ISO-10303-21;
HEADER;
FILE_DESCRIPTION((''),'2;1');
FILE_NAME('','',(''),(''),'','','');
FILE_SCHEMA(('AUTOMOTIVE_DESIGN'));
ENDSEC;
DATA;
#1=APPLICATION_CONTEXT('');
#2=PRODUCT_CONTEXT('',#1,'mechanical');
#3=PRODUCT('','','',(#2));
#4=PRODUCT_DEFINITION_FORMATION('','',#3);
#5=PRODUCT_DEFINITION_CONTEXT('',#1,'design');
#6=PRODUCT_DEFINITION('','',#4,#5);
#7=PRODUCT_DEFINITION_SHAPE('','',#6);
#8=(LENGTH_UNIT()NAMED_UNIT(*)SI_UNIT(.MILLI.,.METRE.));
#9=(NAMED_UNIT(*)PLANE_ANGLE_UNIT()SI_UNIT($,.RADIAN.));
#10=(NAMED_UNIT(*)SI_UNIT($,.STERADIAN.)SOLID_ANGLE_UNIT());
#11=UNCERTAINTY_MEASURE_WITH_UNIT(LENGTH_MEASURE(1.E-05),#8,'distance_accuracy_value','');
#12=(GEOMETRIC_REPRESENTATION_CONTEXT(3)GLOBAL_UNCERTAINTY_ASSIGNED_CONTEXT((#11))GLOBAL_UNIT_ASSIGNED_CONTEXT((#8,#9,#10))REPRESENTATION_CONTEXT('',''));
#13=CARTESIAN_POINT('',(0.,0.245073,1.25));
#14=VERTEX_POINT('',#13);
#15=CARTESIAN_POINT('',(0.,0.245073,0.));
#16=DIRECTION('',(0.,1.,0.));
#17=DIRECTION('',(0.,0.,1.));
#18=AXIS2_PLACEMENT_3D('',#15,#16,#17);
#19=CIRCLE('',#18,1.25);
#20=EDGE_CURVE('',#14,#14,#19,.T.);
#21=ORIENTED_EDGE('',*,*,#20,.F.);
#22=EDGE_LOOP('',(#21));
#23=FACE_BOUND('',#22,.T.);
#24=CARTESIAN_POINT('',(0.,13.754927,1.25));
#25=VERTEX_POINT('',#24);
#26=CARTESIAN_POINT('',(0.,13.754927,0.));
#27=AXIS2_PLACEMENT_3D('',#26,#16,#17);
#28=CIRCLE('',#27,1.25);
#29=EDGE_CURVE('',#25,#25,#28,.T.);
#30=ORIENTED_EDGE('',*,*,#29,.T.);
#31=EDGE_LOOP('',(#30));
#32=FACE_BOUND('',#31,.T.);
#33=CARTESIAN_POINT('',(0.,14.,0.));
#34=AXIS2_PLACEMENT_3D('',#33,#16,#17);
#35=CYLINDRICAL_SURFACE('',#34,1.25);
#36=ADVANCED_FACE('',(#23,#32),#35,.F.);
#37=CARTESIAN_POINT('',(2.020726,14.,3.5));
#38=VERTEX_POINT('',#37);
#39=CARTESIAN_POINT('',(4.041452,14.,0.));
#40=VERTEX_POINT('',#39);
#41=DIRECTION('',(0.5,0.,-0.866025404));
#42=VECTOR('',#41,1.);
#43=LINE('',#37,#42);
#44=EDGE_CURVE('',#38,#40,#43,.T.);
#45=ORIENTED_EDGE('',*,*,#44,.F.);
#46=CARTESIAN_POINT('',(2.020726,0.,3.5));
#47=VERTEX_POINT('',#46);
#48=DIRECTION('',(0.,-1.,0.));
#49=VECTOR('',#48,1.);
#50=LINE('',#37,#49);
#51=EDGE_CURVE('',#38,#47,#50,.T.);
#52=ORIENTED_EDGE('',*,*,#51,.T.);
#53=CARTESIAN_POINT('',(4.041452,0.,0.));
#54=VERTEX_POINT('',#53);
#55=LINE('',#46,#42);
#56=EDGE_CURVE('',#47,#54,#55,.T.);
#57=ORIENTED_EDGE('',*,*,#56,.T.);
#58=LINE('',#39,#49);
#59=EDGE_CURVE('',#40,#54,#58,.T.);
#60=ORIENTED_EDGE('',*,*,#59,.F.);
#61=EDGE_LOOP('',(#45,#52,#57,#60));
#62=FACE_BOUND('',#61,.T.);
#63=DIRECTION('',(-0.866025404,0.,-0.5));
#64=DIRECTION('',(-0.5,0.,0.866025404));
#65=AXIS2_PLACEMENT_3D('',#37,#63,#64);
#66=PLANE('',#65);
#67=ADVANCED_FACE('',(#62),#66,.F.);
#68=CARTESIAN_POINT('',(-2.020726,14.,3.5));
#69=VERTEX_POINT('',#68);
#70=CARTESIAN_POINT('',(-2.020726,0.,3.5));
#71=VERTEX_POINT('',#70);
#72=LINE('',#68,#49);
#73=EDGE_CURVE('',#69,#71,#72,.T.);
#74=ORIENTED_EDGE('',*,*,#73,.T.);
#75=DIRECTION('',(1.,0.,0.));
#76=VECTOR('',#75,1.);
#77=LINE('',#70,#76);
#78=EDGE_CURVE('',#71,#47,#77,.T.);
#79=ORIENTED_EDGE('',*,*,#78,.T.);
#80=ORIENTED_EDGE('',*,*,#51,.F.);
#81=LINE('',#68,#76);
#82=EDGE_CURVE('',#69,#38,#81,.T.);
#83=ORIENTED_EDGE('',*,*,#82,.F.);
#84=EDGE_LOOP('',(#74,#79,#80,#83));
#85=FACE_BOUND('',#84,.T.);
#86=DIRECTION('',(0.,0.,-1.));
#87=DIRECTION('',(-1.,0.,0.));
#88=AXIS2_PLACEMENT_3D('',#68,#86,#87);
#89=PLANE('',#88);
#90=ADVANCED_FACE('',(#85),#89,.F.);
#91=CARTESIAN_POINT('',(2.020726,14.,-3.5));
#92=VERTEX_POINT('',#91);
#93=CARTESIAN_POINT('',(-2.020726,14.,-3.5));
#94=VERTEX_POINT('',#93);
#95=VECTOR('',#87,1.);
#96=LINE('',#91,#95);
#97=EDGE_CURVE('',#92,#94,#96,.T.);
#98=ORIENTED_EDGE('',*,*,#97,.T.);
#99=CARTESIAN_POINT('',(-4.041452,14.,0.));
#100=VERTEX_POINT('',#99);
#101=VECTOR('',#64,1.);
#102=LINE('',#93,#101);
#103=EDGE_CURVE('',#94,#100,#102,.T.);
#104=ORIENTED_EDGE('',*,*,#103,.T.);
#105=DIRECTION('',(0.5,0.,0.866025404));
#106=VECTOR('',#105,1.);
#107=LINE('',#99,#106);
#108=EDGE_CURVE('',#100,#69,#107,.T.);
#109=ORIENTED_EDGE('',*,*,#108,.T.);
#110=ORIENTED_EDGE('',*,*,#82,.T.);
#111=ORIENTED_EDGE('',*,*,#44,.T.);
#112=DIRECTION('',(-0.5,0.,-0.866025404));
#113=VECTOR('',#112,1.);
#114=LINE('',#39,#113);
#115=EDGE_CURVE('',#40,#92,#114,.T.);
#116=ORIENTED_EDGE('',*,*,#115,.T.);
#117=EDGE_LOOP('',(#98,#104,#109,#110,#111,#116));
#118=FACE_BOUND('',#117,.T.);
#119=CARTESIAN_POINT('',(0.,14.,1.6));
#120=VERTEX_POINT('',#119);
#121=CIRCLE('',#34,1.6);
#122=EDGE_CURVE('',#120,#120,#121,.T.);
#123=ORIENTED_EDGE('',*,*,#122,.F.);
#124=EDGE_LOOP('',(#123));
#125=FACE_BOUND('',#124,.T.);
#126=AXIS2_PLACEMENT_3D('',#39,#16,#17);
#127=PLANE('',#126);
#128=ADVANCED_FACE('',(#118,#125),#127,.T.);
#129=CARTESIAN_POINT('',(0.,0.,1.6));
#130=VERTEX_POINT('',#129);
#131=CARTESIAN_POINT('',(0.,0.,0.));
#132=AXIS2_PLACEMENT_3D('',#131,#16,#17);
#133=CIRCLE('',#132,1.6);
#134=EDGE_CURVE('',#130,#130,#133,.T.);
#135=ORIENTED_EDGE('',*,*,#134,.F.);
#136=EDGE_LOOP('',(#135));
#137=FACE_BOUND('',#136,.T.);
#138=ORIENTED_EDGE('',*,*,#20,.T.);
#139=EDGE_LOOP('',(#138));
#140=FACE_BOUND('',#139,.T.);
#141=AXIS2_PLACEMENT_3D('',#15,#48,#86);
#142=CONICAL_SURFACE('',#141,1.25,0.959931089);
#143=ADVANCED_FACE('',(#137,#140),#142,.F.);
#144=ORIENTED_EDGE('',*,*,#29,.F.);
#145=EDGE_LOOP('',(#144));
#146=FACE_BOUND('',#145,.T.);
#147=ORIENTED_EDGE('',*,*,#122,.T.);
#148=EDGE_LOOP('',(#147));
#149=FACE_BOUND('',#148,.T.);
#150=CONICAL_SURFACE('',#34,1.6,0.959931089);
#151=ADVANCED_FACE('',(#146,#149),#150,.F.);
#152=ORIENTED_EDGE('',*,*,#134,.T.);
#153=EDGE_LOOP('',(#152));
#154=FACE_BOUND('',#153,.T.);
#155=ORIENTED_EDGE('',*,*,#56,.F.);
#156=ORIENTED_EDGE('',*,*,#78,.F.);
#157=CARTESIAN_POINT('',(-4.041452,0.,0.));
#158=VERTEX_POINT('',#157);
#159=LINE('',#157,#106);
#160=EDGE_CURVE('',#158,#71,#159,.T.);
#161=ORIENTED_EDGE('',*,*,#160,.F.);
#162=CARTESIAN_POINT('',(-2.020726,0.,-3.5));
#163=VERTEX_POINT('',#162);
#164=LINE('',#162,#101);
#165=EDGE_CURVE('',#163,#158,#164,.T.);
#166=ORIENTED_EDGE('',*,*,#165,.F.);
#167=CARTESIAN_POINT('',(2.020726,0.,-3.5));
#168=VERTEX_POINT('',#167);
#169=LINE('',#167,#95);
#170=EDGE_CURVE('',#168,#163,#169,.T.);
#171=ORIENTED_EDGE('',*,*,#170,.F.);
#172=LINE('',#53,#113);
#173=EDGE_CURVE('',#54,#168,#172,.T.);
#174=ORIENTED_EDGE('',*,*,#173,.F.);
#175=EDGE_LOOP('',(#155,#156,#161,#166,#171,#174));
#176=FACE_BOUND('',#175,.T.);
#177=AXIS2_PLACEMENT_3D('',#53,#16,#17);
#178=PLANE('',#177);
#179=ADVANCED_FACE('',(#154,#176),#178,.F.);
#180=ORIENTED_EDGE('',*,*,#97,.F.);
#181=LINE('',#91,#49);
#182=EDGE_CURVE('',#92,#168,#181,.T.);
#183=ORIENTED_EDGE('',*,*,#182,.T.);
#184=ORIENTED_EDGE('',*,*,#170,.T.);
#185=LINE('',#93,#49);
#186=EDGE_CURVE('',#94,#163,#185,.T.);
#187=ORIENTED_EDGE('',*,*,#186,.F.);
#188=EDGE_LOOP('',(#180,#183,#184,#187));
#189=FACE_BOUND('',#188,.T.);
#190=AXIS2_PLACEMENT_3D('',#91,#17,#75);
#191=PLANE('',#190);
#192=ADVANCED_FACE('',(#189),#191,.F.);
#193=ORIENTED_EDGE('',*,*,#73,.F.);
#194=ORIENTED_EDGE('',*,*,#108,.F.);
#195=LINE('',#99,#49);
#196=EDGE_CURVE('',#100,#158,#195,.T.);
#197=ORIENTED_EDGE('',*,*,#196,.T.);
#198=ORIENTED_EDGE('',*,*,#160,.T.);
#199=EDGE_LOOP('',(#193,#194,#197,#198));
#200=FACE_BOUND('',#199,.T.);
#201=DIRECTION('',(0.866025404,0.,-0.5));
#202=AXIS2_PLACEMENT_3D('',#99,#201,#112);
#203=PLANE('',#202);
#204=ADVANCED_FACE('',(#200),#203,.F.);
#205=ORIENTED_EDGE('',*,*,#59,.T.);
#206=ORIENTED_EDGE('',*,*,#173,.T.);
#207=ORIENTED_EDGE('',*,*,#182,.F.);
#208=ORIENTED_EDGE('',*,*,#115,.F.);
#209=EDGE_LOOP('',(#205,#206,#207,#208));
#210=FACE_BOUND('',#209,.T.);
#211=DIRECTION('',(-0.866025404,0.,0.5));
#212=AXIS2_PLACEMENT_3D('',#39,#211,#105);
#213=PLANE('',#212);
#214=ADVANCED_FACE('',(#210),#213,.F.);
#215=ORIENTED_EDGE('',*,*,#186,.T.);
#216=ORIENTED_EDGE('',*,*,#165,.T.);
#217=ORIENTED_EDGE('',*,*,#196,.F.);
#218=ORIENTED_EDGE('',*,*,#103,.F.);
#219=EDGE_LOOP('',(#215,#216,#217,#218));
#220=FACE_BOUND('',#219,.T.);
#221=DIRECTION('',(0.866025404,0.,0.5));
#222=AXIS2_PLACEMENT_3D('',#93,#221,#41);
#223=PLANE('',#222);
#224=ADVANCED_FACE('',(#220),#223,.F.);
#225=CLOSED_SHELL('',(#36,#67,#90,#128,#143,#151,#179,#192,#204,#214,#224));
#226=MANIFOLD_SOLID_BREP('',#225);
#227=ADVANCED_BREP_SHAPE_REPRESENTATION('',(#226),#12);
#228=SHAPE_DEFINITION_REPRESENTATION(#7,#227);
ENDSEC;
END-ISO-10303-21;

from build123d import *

# Parameters (mm, degrees)
EXTRUDE_1_DEPTH = 14


with BuildPart() as part:
    # Эскиз1 → Бобышка-Вытянуть1 (new body)
    with BuildSketch(Plane(origin=(0, 0, 0), x_dir=(1, 0, 0), z_dir=(0, 1, 0))):
        Polygon((4.041451884, 0), (2.020725942, 3.5), (-2.020725942, 3.5), (-4.041451884, 0), (-2.020725942, -3.5), (2.020725942, -3.5), align=None)
    extrude(amount=EXTRUDE_1_DEPTH)

    # Эскиз2 → Отверстие обработанное метчиком M3x0.51 (revolve, cut)
    with BuildSketch(Plane(origin=(0, 14, 0), x_dir=(0, 0, 1), z_dir=(1, 0, 0))):
        Polygon((0, 0), (0, 14), (1.6, 14), (1.25, 13.754927362), (1.25, 0.245072638), (1.6, 0), align=None)
    revolve(axis=Axis((0, 20.35, 0), (0, -1, 0)), mode=Mode.SUBTRACT)


solid = part.part
